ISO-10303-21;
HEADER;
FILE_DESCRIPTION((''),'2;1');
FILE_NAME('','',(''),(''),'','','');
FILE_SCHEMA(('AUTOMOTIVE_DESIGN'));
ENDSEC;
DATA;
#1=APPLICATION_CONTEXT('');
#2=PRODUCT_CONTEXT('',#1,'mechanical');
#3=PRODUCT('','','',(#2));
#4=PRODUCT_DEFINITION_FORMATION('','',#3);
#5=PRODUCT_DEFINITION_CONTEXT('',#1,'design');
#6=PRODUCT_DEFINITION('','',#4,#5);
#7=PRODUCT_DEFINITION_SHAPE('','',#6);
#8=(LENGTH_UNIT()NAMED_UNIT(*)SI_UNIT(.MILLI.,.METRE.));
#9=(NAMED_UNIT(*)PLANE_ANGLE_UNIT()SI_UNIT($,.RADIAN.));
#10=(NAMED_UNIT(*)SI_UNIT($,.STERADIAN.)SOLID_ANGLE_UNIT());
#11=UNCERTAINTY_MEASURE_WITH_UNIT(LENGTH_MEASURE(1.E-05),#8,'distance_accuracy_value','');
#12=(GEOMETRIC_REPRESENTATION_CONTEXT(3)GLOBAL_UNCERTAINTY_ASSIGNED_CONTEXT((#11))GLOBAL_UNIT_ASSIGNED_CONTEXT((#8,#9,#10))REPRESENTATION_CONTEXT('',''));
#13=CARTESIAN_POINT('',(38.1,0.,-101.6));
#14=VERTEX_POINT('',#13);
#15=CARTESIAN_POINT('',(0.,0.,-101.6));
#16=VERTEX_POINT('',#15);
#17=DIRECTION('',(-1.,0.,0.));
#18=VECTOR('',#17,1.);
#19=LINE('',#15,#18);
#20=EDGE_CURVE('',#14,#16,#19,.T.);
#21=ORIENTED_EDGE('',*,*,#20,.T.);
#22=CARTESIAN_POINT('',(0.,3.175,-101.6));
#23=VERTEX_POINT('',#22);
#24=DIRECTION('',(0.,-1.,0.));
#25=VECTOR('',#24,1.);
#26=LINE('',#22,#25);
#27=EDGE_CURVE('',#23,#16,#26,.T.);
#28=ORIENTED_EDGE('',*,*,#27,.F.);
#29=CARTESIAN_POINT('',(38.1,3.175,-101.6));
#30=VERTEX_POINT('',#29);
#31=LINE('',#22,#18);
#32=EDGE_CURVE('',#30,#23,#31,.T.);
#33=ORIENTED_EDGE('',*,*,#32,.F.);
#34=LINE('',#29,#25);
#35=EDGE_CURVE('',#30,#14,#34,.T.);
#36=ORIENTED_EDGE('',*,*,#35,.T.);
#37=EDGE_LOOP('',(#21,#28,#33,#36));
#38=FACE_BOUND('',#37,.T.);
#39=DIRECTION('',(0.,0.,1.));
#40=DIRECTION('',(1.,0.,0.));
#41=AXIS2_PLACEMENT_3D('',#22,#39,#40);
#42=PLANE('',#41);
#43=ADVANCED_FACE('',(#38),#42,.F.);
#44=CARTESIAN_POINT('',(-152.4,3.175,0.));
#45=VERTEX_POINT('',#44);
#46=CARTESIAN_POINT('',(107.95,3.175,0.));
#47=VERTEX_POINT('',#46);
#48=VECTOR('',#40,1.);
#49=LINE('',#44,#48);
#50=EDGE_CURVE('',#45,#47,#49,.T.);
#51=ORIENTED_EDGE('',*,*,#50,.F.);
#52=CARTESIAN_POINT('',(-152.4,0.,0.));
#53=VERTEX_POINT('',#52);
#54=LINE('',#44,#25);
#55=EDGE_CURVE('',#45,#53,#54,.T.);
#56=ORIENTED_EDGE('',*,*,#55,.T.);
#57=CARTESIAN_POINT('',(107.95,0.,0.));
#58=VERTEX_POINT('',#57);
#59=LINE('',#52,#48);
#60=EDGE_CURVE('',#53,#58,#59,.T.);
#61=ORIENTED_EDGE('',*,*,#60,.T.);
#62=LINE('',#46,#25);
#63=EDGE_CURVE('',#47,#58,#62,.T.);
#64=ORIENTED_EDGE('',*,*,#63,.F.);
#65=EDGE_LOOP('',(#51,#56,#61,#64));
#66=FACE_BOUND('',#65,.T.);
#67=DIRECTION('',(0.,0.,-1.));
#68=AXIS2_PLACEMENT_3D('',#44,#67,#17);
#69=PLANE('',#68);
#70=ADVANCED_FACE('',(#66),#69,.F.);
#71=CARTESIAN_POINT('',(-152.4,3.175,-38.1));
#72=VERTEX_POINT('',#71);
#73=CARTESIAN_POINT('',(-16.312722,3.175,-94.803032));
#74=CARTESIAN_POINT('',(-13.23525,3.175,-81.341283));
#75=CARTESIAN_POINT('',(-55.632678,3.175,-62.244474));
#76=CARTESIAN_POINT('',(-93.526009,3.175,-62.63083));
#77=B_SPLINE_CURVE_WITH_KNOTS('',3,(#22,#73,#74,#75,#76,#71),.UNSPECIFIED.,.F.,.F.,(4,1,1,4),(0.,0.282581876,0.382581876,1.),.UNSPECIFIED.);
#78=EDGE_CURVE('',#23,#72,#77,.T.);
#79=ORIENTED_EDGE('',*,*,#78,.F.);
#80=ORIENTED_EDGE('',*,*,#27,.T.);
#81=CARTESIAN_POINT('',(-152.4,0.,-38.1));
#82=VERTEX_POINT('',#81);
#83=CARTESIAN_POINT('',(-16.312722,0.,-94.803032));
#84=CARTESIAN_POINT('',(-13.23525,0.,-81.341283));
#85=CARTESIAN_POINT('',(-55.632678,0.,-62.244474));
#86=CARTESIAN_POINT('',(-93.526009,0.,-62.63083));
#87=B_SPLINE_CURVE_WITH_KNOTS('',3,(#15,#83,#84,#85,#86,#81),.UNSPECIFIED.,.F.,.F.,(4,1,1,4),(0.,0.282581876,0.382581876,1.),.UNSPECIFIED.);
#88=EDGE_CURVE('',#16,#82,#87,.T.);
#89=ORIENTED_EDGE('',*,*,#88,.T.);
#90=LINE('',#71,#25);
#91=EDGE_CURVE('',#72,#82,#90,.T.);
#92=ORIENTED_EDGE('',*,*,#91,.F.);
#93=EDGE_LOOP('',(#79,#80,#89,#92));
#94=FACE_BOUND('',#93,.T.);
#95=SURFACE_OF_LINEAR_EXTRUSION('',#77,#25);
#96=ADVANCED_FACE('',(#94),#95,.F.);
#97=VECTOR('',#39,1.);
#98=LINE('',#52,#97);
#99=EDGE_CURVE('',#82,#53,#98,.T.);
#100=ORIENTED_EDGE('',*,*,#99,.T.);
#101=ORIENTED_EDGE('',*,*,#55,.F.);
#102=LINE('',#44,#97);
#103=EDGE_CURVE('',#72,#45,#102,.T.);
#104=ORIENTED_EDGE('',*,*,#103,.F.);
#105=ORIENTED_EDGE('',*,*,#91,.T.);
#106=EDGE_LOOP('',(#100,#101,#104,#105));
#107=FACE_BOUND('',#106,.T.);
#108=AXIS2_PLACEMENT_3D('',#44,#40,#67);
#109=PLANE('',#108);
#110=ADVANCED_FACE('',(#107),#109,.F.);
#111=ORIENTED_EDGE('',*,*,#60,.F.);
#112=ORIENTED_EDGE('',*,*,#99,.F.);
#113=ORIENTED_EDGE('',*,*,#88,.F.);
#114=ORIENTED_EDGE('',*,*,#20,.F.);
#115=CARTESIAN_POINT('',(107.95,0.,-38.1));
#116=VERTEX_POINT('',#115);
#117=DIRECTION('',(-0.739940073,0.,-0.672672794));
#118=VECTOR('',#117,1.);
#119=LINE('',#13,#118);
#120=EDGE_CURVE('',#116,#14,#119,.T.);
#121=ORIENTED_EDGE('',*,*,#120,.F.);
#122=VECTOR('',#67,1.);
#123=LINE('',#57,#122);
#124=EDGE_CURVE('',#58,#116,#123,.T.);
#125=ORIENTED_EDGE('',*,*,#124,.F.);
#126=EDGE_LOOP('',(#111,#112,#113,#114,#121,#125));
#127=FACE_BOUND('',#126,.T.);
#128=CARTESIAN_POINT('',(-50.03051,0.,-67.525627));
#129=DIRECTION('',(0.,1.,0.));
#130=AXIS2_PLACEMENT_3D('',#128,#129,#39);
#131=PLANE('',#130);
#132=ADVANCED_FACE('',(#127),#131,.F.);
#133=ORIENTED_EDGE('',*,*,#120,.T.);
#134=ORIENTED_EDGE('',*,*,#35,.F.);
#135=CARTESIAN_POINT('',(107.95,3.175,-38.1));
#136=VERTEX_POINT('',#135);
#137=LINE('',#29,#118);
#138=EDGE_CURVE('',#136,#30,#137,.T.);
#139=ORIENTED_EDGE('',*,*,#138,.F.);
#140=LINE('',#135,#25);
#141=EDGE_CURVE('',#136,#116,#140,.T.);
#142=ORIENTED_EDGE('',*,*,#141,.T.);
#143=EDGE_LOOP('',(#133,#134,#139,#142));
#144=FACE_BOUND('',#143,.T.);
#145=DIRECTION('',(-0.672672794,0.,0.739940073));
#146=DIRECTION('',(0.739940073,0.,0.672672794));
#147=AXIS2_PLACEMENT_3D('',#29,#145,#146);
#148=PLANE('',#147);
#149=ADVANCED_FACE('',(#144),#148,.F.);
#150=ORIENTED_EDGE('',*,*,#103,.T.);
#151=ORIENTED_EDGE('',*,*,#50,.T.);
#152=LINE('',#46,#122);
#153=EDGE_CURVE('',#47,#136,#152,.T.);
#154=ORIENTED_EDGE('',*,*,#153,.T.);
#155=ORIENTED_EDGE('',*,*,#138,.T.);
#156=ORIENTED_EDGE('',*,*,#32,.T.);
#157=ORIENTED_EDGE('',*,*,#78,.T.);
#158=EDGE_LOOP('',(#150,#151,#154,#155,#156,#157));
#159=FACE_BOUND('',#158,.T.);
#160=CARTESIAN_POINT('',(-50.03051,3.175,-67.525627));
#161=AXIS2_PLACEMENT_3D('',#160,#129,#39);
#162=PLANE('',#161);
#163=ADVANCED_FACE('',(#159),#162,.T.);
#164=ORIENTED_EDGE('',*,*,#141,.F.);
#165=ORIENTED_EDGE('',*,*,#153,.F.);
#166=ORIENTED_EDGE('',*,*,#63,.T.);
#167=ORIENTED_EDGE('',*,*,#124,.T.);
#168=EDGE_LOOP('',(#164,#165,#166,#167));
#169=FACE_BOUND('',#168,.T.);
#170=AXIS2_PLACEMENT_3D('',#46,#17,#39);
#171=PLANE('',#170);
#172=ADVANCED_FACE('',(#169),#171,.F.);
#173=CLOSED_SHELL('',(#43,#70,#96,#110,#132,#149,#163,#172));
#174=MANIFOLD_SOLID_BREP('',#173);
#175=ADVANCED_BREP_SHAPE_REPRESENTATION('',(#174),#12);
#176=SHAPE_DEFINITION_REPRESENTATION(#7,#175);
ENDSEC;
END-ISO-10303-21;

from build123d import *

# Parameters (mm, degrees)
BOSS_EXTRUDE1_DEPTH = 3.175


with BuildPart() as part:
    # Sketch1 → Boss-Extrude1 (new body)
    with BuildSketch(Plane(origin=(0, 0, 0), x_dir=(1, 0, 0), z_dir=(0, 1, 0))):
        with BuildLine():
            Line((-152.4, 0), (107.95, 0))
            Line((107.95, 0), (107.95, 38.1))
            Line((107.95, 38.1), (38.1, 101.6))
            Line((38.1, 101.6), (0, 101.6))
            add(Edge.make_bspline(
                [(-152.4, 38.1), (-93.526008547, 62.630829772), (-55.632677833, 62.244474427), (-13.235249882, 81.341283437), (-16.312722453, 94.803032311), (0, 101.6)],
                knots=[0, 0, 0, 0, 0.617418124, 0.717418124, 1, 1, 1, 1], degree=3))
            Line((-152.4, 38.1), (-152.4, 0))
        make_face()
    extrude(amount=BOSS_EXTRUDE1_DEPTH)


solid = part.part
